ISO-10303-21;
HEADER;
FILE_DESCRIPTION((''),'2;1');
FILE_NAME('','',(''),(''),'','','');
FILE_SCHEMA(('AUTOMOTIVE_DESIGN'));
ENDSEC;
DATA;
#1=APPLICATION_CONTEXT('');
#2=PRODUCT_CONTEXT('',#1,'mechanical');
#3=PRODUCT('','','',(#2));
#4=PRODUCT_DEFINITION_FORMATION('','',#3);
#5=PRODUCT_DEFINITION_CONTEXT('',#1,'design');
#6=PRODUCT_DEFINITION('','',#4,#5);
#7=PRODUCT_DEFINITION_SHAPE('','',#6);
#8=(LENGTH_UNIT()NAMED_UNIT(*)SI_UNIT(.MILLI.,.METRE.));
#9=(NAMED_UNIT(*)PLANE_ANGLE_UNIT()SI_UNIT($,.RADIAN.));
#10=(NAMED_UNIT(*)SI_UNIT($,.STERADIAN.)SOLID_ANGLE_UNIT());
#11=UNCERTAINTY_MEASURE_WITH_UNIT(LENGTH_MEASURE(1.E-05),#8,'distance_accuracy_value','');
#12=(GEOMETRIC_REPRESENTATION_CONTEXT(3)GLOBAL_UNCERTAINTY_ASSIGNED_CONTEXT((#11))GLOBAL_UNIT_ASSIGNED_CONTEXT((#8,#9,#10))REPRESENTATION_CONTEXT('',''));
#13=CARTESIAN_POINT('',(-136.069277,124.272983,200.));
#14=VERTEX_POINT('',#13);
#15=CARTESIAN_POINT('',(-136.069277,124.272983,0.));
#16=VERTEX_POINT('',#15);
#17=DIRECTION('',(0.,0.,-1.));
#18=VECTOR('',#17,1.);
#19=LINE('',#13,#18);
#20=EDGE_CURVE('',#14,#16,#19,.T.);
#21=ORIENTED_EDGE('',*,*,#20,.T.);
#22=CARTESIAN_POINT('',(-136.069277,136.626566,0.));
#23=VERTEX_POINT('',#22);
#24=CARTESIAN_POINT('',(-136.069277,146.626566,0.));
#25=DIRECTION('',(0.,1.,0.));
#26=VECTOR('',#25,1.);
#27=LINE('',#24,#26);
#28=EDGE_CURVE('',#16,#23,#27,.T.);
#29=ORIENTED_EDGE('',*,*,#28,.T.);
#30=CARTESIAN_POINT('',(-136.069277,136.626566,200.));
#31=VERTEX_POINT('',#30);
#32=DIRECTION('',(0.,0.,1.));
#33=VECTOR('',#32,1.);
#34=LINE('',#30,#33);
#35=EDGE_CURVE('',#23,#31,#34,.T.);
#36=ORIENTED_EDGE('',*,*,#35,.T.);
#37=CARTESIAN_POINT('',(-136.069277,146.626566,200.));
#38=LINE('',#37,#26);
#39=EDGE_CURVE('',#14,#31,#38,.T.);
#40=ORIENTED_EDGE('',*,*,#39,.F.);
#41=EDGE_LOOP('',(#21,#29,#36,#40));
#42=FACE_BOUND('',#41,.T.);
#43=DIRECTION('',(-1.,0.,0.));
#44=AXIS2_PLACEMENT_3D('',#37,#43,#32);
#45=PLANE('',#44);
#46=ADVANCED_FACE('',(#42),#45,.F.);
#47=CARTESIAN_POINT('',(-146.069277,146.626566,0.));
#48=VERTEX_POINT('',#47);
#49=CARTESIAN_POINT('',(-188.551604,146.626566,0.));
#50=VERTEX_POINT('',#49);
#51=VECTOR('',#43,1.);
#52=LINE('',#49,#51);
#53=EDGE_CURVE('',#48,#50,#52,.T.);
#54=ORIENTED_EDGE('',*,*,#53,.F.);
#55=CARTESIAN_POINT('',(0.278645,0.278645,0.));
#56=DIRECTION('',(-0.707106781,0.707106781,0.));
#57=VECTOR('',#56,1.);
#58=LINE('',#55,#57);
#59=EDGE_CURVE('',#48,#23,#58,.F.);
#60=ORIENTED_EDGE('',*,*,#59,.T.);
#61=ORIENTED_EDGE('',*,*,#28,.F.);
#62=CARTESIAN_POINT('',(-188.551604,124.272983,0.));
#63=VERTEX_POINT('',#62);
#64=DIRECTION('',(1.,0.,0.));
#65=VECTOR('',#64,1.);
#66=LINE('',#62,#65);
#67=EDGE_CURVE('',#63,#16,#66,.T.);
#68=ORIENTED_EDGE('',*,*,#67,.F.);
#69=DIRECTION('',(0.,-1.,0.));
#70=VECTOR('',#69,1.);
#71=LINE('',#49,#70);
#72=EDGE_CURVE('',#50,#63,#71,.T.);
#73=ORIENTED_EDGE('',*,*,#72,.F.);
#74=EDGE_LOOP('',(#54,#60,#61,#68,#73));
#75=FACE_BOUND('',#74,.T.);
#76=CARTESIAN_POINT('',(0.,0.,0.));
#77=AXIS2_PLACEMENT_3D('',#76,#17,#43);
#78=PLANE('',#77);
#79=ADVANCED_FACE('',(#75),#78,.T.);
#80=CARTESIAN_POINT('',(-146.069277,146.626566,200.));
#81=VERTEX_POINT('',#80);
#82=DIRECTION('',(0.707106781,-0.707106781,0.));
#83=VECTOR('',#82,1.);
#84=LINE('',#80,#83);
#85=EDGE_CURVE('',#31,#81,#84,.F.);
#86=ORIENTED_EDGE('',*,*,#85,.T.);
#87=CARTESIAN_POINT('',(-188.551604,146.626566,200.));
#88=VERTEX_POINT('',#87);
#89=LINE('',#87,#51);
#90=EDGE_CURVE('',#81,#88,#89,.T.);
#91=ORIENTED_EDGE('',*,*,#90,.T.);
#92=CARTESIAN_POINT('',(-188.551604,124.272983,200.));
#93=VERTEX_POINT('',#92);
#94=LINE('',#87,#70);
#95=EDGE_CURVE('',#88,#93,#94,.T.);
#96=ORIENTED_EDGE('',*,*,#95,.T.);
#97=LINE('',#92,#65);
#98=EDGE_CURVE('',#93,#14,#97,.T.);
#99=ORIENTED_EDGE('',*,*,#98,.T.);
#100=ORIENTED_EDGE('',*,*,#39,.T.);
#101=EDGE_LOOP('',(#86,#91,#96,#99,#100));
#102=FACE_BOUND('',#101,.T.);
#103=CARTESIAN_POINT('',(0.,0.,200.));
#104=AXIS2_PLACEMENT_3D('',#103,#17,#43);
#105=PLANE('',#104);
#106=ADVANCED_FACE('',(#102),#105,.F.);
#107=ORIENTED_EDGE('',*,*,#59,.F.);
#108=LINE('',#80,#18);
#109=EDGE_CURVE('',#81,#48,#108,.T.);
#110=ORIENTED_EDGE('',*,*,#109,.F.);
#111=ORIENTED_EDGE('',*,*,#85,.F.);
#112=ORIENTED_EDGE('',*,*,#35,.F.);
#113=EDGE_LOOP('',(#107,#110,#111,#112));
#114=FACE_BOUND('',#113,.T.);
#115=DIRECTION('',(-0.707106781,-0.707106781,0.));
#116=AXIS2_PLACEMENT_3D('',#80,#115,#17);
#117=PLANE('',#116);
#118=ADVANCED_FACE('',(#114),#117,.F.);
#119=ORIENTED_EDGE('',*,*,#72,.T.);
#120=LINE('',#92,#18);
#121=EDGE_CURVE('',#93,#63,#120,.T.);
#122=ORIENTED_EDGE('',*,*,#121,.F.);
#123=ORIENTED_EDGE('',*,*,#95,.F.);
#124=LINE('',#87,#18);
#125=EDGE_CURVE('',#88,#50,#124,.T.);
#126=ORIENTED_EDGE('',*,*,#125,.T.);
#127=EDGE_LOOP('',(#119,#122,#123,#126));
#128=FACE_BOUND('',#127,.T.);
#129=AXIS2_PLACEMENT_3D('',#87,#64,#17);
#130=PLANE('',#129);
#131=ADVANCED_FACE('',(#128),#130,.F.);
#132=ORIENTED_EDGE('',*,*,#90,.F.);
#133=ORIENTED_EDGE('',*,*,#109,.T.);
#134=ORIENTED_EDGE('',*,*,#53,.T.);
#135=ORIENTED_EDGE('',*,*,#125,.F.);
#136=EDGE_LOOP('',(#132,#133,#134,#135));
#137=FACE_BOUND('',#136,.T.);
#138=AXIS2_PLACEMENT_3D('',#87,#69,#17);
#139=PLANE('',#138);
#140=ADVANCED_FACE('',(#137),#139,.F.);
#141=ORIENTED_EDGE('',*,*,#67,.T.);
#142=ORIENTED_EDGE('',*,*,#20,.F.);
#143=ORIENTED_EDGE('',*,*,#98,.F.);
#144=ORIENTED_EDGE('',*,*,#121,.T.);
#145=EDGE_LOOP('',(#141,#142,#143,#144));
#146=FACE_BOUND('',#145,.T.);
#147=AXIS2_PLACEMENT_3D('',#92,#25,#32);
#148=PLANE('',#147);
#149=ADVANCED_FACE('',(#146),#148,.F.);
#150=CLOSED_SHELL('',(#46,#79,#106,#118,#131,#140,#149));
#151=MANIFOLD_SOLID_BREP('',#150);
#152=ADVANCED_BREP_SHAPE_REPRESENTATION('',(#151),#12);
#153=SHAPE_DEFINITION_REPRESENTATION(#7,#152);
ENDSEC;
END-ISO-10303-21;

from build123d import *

# Parameters (mm, degrees)
SKIZZE1_W                       = 52.482326825
SKIZZE1_H                       = 22.353583648
AUFSATZ_LINEAR_AUSTRAGEN1_DEPTH = 200
FASE1_SIZE                      = 10


with BuildPart() as part:
    # Skizze1 → Aufsatz-Linear austragen1 (new body)
    with BuildSketch(Plane.XY):
        with Locations((-162.31044063, 135.449774465)):
            Rectangle(SKIZZE1_W, SKIZZE1_H)
    extrude(amount=AUFSATZ_LINEAR_AUSTRAGEN1_DEPTH)

    # Fase1
    fase1_edges = [part.edges().sort_by_distance(p)[0] for p in [
        (-136.069277217, 146.626566289, 100),
    ]]
    chamfer(fase1_edges, length=FASE1_SIZE)


solid = part.part
